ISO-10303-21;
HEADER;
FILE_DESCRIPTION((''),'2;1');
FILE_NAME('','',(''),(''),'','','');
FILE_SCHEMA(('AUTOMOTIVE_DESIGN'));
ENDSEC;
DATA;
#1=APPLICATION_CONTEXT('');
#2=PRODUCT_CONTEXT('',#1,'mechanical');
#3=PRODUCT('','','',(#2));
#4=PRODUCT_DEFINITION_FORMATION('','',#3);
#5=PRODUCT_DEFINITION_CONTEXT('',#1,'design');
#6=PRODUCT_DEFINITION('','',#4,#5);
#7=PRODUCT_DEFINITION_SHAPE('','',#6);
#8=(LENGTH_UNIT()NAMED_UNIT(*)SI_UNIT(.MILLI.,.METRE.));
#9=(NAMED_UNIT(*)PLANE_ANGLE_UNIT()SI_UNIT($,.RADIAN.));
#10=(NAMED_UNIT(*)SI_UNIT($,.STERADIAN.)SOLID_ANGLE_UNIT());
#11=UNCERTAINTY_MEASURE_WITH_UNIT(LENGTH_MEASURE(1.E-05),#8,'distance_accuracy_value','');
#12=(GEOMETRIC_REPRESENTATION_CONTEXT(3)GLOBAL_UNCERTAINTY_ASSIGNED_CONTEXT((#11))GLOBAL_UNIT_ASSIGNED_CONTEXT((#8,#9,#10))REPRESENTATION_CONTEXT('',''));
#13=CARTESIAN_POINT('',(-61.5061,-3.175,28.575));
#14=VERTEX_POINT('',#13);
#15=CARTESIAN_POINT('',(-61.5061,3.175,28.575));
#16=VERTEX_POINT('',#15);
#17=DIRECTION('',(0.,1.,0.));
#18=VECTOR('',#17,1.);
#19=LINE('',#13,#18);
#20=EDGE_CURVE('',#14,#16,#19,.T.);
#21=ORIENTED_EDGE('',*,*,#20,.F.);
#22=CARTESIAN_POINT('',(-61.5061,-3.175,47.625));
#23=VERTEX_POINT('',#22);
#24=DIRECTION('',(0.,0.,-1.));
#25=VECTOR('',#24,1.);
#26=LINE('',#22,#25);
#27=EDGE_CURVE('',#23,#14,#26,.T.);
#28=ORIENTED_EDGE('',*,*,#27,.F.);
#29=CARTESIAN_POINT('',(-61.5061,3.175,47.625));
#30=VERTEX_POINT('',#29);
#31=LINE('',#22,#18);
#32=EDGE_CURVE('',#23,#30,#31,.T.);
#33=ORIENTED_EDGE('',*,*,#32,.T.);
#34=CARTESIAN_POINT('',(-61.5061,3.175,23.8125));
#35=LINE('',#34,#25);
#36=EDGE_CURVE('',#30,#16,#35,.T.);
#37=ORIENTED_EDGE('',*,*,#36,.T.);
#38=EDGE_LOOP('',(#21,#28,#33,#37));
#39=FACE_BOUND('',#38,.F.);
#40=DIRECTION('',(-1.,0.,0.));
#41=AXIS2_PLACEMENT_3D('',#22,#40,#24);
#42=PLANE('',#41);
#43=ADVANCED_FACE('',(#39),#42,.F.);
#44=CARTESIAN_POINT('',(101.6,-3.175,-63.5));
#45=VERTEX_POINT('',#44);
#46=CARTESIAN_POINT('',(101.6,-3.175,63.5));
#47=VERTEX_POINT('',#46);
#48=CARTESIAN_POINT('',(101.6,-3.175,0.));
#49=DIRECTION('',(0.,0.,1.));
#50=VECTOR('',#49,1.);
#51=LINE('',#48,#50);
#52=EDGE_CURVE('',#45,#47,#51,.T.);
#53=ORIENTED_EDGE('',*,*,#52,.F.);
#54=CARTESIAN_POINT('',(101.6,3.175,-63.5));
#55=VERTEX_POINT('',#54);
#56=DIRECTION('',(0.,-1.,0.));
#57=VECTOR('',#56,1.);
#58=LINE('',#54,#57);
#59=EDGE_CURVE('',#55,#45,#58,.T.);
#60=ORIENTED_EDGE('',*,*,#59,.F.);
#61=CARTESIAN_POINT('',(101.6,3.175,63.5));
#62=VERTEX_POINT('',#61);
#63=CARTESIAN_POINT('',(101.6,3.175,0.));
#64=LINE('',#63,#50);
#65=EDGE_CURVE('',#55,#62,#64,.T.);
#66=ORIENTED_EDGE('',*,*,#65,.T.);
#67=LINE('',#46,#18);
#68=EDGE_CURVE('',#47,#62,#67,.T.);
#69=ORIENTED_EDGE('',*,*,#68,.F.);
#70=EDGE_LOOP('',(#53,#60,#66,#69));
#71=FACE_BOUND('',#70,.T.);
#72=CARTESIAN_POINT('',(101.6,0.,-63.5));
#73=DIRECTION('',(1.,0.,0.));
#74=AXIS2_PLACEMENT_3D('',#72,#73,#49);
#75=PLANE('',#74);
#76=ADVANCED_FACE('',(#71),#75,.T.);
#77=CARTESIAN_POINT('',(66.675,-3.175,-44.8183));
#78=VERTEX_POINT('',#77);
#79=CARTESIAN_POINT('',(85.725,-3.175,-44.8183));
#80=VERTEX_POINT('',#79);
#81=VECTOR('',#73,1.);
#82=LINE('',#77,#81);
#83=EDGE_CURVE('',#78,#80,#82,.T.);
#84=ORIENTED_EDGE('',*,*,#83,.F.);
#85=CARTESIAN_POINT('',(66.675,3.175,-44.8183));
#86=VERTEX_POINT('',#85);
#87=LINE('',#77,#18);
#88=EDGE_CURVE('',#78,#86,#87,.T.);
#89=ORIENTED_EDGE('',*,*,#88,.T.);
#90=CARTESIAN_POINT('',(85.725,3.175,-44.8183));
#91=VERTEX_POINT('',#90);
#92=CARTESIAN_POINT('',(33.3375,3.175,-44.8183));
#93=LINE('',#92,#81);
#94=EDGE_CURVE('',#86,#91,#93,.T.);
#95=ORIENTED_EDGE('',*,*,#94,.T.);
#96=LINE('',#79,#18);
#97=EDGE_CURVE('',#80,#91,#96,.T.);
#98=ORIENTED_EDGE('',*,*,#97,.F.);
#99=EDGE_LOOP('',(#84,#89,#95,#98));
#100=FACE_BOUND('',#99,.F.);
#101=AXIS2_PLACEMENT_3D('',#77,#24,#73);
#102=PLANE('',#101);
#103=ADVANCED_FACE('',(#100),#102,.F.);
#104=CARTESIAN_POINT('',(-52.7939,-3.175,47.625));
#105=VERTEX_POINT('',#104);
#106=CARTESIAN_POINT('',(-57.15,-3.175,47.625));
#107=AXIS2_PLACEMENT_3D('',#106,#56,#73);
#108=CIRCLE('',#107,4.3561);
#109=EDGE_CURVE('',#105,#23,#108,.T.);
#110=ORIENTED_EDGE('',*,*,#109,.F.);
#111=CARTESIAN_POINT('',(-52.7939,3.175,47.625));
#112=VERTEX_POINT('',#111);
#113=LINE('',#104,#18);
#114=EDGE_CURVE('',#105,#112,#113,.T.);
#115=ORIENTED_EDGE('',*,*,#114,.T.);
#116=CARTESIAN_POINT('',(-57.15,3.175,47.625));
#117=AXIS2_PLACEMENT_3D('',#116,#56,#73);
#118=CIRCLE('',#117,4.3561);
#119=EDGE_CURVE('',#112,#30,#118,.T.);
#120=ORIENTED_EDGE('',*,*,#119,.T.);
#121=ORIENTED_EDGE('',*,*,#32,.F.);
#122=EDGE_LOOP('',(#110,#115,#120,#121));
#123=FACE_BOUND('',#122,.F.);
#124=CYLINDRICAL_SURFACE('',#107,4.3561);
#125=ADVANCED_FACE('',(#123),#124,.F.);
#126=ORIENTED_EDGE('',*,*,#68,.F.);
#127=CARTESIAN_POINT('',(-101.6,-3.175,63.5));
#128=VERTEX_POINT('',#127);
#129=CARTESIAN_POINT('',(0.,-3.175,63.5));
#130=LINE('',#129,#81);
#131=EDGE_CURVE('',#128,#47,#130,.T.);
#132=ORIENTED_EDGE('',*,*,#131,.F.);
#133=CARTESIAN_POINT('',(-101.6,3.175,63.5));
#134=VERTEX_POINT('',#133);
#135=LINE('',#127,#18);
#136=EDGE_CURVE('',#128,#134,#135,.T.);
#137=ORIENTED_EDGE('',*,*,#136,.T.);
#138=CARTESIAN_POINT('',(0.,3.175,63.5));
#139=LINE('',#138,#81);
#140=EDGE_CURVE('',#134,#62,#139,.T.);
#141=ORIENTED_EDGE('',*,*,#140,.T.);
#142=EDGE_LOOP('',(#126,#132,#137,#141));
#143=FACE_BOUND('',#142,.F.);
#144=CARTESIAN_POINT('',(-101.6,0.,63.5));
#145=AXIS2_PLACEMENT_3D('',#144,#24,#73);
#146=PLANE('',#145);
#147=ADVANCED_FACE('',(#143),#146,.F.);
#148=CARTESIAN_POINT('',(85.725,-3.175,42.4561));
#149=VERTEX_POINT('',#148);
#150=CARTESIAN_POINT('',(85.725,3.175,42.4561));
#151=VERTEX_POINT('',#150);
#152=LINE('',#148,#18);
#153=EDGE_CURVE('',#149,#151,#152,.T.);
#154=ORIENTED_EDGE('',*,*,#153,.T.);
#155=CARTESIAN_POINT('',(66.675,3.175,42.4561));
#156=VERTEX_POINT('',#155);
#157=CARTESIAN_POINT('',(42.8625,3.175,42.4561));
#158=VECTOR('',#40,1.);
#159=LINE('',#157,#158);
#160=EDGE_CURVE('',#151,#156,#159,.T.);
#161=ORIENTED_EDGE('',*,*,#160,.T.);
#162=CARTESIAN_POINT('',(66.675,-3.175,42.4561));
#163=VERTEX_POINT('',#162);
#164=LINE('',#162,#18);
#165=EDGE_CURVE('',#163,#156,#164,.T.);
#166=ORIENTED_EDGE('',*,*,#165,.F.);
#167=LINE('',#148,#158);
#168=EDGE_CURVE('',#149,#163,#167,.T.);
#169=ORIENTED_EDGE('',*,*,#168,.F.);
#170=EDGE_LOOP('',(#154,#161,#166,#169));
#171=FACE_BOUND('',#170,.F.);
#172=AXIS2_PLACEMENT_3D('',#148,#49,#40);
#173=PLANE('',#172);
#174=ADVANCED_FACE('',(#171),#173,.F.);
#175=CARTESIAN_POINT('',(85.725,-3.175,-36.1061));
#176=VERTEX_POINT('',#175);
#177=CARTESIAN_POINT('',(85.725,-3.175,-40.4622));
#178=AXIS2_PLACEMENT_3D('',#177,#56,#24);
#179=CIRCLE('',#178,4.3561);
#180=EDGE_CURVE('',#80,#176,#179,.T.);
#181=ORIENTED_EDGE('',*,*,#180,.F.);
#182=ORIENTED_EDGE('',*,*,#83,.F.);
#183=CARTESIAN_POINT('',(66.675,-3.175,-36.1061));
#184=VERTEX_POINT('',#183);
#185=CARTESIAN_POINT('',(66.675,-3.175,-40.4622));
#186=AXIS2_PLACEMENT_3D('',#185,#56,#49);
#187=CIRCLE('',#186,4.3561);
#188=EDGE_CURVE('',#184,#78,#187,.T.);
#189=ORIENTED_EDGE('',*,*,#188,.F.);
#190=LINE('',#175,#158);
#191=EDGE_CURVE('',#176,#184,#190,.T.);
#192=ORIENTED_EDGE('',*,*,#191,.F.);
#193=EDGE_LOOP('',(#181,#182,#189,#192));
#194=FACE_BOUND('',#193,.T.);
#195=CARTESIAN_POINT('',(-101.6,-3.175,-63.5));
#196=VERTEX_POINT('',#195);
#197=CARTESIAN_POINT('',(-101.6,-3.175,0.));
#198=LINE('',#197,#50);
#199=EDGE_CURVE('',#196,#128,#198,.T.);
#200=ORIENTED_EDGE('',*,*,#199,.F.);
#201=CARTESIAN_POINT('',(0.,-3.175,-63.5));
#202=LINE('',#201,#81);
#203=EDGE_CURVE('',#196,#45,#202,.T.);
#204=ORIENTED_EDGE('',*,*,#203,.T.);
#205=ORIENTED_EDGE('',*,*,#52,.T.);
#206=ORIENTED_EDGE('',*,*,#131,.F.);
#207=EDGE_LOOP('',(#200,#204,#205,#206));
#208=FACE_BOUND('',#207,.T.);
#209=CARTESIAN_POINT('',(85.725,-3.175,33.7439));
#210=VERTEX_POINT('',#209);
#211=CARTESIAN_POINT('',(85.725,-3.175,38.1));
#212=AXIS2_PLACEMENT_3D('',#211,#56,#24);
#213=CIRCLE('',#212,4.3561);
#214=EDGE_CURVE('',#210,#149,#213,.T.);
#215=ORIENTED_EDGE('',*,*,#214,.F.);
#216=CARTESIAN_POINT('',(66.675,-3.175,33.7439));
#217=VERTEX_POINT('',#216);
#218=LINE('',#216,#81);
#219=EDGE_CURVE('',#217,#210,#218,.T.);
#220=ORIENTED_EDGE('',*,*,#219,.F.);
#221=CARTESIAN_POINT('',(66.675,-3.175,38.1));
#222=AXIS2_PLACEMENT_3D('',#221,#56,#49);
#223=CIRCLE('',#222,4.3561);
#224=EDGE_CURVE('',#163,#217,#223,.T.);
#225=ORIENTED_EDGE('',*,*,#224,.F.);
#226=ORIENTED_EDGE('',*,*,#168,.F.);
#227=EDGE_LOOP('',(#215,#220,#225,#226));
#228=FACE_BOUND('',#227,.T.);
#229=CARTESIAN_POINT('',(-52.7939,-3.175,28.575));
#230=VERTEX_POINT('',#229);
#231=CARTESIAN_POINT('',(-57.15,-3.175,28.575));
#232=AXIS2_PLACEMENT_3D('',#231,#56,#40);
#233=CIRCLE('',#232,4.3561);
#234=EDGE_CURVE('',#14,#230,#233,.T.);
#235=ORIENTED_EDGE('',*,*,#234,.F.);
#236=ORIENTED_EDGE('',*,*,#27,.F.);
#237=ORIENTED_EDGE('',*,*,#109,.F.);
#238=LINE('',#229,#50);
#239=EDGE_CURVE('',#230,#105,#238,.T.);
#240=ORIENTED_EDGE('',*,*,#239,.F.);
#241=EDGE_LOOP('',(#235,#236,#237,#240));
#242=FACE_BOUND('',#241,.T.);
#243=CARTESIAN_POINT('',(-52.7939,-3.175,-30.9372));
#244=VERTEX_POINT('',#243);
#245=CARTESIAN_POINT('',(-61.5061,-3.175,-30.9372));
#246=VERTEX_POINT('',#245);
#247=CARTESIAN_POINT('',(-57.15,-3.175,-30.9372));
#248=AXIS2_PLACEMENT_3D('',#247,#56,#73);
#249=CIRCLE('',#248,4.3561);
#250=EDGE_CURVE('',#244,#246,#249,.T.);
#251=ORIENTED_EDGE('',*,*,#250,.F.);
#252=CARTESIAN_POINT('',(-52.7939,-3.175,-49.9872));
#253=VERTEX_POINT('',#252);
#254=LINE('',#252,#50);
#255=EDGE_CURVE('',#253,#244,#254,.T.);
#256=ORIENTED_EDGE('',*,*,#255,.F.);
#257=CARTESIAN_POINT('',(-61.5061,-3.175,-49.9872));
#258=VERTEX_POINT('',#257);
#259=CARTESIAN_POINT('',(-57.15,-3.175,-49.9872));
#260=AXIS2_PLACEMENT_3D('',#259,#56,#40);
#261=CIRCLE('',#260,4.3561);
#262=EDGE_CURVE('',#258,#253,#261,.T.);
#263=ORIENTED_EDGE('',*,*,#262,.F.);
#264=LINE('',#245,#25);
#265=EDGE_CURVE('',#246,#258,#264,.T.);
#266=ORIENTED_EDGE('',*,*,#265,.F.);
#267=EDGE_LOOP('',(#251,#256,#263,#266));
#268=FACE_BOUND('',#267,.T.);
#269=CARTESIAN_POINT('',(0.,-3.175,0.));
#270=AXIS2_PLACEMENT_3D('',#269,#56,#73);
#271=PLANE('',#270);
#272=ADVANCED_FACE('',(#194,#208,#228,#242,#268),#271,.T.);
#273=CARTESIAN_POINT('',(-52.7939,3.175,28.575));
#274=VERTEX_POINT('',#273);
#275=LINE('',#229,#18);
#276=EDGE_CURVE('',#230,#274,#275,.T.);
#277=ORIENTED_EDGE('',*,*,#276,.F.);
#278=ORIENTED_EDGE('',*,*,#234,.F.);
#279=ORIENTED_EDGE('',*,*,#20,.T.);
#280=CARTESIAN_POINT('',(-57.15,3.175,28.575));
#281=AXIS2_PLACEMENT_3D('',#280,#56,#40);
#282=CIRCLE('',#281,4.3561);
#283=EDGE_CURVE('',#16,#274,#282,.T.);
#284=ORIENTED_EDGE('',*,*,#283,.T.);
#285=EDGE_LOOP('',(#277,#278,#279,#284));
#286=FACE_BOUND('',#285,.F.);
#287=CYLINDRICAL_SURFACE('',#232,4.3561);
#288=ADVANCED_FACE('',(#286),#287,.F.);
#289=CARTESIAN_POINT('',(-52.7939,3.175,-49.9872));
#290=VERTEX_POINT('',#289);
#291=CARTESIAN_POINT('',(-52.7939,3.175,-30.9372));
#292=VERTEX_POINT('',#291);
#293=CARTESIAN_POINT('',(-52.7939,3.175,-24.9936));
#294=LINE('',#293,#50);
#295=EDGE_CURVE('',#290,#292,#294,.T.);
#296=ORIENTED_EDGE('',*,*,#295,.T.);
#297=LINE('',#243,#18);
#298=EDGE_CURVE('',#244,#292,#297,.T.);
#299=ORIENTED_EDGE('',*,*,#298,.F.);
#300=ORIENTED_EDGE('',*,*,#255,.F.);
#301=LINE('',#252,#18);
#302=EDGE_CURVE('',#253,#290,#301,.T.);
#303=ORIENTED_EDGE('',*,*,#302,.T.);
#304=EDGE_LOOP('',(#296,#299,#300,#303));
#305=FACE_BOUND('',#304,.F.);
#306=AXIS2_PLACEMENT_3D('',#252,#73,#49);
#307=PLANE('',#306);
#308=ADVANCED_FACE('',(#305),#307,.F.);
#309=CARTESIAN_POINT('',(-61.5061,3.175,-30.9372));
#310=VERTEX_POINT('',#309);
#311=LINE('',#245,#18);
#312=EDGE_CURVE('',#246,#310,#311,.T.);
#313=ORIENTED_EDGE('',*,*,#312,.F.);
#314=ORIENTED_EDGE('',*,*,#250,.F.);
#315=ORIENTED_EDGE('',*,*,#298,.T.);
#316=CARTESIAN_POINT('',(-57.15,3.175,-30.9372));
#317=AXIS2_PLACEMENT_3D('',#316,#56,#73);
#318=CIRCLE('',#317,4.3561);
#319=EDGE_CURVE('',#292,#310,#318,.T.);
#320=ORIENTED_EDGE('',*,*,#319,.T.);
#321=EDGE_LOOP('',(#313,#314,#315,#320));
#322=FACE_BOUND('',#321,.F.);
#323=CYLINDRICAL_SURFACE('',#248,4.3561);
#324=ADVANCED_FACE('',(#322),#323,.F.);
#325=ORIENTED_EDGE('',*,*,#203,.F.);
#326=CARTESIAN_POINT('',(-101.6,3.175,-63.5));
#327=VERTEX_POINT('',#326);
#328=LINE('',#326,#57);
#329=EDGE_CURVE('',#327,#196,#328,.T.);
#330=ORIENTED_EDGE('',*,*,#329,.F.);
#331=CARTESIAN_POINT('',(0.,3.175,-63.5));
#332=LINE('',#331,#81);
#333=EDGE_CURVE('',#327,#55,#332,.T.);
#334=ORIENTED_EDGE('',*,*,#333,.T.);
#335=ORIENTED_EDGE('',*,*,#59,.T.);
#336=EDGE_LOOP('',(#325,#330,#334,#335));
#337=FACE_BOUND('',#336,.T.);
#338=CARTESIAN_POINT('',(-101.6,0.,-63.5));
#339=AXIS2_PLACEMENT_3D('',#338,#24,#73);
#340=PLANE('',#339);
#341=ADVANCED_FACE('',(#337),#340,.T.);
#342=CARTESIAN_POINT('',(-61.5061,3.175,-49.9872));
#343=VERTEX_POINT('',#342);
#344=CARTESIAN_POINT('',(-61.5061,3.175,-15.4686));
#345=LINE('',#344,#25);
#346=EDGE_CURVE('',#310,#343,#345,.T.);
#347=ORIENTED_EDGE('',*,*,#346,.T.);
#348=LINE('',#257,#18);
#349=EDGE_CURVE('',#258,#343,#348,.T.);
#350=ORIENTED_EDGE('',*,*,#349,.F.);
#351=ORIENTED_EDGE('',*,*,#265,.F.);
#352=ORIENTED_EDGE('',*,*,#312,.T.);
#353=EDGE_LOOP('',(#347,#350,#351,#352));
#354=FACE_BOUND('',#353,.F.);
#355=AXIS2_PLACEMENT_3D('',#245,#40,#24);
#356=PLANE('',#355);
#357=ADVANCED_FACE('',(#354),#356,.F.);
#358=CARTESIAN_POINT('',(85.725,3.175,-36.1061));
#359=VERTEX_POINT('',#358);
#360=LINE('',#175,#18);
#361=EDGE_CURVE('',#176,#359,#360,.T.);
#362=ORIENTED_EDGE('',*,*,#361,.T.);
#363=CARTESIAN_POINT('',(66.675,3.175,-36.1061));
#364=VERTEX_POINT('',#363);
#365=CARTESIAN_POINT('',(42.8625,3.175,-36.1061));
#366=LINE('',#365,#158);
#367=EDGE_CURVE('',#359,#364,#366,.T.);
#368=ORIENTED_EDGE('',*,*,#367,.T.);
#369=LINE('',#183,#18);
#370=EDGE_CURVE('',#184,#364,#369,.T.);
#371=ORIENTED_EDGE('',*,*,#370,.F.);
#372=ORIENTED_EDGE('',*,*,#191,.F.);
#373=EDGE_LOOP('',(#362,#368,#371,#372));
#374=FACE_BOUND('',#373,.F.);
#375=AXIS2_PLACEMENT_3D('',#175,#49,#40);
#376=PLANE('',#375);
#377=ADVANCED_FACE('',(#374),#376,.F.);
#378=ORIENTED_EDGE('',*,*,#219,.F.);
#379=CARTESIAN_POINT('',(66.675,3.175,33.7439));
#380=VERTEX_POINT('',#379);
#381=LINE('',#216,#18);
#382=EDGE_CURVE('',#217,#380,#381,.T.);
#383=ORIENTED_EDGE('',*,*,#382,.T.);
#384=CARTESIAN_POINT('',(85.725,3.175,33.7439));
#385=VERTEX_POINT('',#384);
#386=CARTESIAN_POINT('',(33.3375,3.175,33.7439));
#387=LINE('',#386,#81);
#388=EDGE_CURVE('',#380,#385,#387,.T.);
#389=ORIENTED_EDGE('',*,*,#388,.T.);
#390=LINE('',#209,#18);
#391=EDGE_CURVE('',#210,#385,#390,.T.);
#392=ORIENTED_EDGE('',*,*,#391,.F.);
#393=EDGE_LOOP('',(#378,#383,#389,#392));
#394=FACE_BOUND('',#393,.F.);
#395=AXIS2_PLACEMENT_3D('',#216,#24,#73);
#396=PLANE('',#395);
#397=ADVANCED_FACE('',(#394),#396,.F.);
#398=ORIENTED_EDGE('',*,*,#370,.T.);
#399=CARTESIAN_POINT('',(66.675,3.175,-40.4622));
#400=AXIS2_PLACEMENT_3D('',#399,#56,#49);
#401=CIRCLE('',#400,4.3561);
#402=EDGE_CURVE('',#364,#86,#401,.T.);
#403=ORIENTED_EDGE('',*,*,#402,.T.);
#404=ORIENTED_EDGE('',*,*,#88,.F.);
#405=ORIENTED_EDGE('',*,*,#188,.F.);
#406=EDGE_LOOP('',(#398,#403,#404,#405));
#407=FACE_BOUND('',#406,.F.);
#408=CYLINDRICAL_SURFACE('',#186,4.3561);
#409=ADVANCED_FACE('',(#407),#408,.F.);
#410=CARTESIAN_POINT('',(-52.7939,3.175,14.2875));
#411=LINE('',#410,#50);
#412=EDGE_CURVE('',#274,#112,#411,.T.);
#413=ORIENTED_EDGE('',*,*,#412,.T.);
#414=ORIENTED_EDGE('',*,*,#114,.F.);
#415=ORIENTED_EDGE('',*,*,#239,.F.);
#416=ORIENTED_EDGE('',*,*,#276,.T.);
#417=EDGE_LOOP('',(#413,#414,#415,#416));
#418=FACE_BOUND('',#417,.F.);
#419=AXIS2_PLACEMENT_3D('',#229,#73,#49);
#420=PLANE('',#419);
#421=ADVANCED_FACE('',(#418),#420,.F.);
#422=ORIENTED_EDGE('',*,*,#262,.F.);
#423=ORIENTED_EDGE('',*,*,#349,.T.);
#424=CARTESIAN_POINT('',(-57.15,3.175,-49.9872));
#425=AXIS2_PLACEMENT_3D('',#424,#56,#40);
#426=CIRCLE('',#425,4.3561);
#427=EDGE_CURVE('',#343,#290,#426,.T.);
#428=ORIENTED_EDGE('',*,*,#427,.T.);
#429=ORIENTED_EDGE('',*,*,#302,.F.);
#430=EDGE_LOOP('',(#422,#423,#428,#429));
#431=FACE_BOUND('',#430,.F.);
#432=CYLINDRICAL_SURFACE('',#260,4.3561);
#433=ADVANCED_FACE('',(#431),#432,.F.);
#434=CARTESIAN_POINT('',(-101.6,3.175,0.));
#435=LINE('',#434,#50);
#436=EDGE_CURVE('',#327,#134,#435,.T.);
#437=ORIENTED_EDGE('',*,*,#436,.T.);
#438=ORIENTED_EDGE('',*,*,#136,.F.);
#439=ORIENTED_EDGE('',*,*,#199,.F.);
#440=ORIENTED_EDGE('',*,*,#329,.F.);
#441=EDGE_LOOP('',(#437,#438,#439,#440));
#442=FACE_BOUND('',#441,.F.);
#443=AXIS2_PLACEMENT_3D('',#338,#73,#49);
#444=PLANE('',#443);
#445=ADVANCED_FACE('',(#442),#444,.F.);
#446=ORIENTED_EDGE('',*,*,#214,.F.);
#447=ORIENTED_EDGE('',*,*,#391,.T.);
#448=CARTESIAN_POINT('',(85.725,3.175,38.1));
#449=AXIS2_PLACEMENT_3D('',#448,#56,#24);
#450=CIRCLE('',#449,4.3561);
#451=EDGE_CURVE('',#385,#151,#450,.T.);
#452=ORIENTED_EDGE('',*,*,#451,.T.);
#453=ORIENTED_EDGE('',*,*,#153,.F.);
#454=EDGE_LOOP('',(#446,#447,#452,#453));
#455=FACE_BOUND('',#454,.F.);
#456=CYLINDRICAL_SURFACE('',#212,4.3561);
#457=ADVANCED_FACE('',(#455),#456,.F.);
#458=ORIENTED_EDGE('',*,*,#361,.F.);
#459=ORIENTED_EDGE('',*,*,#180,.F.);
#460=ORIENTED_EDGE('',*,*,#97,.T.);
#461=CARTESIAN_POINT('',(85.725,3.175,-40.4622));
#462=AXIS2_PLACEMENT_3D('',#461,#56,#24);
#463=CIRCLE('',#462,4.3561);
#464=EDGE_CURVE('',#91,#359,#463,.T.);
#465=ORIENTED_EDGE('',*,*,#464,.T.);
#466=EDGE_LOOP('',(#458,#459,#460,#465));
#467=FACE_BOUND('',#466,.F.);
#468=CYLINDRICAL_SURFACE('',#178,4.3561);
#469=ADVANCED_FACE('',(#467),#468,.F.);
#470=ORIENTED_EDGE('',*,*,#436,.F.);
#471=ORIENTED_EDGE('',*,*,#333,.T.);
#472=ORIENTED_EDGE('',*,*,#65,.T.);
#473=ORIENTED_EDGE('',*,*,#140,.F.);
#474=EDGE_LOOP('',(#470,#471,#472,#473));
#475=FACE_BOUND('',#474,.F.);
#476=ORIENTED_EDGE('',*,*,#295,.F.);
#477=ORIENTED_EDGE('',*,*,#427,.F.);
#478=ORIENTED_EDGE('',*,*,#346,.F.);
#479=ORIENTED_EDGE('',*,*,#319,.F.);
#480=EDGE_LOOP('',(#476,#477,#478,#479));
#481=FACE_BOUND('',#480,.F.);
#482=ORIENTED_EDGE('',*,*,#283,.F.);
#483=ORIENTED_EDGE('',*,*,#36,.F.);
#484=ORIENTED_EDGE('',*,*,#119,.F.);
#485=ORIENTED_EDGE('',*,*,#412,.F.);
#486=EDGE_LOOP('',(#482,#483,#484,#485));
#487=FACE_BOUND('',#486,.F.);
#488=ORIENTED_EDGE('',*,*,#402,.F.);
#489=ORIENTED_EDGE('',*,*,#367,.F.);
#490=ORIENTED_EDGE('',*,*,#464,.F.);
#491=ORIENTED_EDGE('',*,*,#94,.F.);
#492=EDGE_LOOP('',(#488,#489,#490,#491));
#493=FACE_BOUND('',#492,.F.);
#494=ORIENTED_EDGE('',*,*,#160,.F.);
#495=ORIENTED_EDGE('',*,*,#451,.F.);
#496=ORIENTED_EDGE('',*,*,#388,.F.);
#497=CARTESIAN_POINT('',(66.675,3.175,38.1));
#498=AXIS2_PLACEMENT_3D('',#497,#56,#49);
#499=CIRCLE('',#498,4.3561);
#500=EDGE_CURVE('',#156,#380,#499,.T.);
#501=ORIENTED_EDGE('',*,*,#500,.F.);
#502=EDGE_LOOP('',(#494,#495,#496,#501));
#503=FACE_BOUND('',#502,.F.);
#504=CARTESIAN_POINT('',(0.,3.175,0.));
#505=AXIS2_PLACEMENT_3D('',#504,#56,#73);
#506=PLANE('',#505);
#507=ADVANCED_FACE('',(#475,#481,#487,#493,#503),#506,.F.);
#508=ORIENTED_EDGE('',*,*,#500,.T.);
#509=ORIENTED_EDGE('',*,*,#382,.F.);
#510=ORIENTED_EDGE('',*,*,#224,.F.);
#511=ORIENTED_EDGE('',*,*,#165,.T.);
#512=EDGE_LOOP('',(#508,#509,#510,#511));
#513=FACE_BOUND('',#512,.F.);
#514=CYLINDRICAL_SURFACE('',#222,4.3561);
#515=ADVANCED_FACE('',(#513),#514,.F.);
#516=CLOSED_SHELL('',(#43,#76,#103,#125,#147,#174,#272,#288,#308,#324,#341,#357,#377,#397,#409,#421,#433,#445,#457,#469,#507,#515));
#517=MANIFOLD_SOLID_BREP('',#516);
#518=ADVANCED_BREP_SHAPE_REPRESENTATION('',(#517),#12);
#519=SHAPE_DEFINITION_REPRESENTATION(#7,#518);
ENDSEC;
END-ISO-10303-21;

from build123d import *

# Parameters (mm, degrees)
F0_W     = 203.2
F0_H     = 127
F1_DEPTH = 3.175
F3_DEPTH = 25.4


with BuildPart() as f1:
    # F0 (on Front) → F1 (new body, symmetric)
    with BuildSketch(Plane.XZ):
        Rectangle(F0_W, F0_H)
    extrude(amount=F1_DEPTH, both=True)

    # F2 (on face) → F3 (cut)
    with BuildSketch(Plane.XZ.offset(3.175)):
        with BuildLine():
            ThreePointArc((-52.7939, 47.625), (-57.15, 51.9811), (-61.5061, 47.625))
            Line((-61.5061, 47.625), (-61.5061, 28.575))
            ThreePointArc((-61.5061, 28.575), (-57.15, 24.2189), (-52.7939, 28.575))
            Line((-52.7939, 28.575), (-52.7939, 47.625))
        make_face()
        with BuildLine():
            ThreePointArc((-52.7939, -30.9372), (-57.15, -26.5811), (-61.5061, -30.9372))
            Line((-61.5061, -30.9372), (-61.5061, -49.9872))
            ThreePointArc((-61.5061, -49.9872), (-57.15, -54.3433), (-52.7939, -49.9872))
            Line((-52.7939, -49.9872), (-52.7939, -30.9372))
        make_face()
        with BuildLine():
            ThreePointArc((66.675, 42.4561), (62.3189, 38.1), (66.675, 33.7439))
            Line((66.675, 33.7439), (85.725, 33.7439))
            ThreePointArc((85.725, 33.7439), (90.0811, 38.1), (85.725, 42.4561))
            Line((85.725, 42.4561), (66.675, 42.4561))
        make_face()
        with BuildLine():
            ThreePointArc((66.675, -36.1061), (62.3189, -40.4622), (66.675, -44.8183))
            Line((66.675, -44.8183), (85.725, -44.8183))
            ThreePointArc((85.725, -44.8183), (90.0811, -40.4622), (85.725, -36.1061))
            Line((85.725, -36.1061), (66.675, -36.1061))
        make_face()
    extrude(amount=-F3_DEPTH, mode=Mode.SUBTRACT)


solid = f1.part
